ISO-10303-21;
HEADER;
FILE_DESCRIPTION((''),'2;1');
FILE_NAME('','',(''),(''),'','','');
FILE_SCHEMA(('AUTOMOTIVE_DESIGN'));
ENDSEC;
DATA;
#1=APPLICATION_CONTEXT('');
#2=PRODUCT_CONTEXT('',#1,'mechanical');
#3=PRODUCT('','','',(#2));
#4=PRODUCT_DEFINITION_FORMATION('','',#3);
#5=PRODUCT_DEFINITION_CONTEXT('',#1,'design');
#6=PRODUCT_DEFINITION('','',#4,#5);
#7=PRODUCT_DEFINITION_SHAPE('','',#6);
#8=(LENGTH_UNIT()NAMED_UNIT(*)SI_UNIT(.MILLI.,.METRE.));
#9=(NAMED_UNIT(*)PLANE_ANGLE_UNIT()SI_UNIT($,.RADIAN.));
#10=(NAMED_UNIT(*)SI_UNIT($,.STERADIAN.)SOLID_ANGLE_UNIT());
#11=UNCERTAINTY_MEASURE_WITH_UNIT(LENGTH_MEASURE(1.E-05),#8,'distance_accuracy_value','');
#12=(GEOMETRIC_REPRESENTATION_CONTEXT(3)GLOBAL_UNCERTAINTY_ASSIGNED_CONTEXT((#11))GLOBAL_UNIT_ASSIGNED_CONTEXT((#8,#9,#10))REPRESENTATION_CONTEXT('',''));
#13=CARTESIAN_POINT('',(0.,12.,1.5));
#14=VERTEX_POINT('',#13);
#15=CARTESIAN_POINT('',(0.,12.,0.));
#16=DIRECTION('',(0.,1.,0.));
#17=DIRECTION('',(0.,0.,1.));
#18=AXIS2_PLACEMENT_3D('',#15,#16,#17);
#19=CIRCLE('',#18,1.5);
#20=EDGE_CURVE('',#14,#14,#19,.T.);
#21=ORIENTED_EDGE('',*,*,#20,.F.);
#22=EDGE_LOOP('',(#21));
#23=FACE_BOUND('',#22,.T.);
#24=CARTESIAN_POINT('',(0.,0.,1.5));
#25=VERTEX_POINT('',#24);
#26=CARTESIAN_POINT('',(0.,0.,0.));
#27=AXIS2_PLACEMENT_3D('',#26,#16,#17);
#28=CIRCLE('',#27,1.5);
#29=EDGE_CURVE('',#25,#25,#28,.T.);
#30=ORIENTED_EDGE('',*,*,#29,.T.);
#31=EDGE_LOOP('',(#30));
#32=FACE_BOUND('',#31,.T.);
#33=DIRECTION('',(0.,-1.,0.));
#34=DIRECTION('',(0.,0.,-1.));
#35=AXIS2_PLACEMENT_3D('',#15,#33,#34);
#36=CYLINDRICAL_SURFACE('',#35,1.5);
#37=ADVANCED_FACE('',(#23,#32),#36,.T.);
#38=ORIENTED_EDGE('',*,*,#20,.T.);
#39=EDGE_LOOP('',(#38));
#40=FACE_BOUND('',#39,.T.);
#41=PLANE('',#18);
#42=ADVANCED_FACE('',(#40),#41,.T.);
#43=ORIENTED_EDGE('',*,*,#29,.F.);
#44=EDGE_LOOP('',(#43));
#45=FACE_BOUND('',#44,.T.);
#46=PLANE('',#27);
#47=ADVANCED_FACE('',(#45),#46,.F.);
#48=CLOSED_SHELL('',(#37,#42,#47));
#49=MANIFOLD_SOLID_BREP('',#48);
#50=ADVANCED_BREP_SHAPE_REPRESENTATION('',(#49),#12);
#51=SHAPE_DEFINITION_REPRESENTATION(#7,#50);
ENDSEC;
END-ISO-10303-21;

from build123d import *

# Parameters (mm, degrees)
SKETCH1_R           = 1.5
BOSS_EXTRUDE1_DEPTH = 12


with BuildPart() as part:
    # Sketch1 → Boss-Extrude1 (new body)
    with BuildSketch(Plane(origin=(0, 0, 0), x_dir=(1, 0, 0), z_dir=(0, 1, 0))):
        Circle(SKETCH1_R)
    extrude(amount=BOSS_EXTRUDE1_DEPTH)


solid = part.part
